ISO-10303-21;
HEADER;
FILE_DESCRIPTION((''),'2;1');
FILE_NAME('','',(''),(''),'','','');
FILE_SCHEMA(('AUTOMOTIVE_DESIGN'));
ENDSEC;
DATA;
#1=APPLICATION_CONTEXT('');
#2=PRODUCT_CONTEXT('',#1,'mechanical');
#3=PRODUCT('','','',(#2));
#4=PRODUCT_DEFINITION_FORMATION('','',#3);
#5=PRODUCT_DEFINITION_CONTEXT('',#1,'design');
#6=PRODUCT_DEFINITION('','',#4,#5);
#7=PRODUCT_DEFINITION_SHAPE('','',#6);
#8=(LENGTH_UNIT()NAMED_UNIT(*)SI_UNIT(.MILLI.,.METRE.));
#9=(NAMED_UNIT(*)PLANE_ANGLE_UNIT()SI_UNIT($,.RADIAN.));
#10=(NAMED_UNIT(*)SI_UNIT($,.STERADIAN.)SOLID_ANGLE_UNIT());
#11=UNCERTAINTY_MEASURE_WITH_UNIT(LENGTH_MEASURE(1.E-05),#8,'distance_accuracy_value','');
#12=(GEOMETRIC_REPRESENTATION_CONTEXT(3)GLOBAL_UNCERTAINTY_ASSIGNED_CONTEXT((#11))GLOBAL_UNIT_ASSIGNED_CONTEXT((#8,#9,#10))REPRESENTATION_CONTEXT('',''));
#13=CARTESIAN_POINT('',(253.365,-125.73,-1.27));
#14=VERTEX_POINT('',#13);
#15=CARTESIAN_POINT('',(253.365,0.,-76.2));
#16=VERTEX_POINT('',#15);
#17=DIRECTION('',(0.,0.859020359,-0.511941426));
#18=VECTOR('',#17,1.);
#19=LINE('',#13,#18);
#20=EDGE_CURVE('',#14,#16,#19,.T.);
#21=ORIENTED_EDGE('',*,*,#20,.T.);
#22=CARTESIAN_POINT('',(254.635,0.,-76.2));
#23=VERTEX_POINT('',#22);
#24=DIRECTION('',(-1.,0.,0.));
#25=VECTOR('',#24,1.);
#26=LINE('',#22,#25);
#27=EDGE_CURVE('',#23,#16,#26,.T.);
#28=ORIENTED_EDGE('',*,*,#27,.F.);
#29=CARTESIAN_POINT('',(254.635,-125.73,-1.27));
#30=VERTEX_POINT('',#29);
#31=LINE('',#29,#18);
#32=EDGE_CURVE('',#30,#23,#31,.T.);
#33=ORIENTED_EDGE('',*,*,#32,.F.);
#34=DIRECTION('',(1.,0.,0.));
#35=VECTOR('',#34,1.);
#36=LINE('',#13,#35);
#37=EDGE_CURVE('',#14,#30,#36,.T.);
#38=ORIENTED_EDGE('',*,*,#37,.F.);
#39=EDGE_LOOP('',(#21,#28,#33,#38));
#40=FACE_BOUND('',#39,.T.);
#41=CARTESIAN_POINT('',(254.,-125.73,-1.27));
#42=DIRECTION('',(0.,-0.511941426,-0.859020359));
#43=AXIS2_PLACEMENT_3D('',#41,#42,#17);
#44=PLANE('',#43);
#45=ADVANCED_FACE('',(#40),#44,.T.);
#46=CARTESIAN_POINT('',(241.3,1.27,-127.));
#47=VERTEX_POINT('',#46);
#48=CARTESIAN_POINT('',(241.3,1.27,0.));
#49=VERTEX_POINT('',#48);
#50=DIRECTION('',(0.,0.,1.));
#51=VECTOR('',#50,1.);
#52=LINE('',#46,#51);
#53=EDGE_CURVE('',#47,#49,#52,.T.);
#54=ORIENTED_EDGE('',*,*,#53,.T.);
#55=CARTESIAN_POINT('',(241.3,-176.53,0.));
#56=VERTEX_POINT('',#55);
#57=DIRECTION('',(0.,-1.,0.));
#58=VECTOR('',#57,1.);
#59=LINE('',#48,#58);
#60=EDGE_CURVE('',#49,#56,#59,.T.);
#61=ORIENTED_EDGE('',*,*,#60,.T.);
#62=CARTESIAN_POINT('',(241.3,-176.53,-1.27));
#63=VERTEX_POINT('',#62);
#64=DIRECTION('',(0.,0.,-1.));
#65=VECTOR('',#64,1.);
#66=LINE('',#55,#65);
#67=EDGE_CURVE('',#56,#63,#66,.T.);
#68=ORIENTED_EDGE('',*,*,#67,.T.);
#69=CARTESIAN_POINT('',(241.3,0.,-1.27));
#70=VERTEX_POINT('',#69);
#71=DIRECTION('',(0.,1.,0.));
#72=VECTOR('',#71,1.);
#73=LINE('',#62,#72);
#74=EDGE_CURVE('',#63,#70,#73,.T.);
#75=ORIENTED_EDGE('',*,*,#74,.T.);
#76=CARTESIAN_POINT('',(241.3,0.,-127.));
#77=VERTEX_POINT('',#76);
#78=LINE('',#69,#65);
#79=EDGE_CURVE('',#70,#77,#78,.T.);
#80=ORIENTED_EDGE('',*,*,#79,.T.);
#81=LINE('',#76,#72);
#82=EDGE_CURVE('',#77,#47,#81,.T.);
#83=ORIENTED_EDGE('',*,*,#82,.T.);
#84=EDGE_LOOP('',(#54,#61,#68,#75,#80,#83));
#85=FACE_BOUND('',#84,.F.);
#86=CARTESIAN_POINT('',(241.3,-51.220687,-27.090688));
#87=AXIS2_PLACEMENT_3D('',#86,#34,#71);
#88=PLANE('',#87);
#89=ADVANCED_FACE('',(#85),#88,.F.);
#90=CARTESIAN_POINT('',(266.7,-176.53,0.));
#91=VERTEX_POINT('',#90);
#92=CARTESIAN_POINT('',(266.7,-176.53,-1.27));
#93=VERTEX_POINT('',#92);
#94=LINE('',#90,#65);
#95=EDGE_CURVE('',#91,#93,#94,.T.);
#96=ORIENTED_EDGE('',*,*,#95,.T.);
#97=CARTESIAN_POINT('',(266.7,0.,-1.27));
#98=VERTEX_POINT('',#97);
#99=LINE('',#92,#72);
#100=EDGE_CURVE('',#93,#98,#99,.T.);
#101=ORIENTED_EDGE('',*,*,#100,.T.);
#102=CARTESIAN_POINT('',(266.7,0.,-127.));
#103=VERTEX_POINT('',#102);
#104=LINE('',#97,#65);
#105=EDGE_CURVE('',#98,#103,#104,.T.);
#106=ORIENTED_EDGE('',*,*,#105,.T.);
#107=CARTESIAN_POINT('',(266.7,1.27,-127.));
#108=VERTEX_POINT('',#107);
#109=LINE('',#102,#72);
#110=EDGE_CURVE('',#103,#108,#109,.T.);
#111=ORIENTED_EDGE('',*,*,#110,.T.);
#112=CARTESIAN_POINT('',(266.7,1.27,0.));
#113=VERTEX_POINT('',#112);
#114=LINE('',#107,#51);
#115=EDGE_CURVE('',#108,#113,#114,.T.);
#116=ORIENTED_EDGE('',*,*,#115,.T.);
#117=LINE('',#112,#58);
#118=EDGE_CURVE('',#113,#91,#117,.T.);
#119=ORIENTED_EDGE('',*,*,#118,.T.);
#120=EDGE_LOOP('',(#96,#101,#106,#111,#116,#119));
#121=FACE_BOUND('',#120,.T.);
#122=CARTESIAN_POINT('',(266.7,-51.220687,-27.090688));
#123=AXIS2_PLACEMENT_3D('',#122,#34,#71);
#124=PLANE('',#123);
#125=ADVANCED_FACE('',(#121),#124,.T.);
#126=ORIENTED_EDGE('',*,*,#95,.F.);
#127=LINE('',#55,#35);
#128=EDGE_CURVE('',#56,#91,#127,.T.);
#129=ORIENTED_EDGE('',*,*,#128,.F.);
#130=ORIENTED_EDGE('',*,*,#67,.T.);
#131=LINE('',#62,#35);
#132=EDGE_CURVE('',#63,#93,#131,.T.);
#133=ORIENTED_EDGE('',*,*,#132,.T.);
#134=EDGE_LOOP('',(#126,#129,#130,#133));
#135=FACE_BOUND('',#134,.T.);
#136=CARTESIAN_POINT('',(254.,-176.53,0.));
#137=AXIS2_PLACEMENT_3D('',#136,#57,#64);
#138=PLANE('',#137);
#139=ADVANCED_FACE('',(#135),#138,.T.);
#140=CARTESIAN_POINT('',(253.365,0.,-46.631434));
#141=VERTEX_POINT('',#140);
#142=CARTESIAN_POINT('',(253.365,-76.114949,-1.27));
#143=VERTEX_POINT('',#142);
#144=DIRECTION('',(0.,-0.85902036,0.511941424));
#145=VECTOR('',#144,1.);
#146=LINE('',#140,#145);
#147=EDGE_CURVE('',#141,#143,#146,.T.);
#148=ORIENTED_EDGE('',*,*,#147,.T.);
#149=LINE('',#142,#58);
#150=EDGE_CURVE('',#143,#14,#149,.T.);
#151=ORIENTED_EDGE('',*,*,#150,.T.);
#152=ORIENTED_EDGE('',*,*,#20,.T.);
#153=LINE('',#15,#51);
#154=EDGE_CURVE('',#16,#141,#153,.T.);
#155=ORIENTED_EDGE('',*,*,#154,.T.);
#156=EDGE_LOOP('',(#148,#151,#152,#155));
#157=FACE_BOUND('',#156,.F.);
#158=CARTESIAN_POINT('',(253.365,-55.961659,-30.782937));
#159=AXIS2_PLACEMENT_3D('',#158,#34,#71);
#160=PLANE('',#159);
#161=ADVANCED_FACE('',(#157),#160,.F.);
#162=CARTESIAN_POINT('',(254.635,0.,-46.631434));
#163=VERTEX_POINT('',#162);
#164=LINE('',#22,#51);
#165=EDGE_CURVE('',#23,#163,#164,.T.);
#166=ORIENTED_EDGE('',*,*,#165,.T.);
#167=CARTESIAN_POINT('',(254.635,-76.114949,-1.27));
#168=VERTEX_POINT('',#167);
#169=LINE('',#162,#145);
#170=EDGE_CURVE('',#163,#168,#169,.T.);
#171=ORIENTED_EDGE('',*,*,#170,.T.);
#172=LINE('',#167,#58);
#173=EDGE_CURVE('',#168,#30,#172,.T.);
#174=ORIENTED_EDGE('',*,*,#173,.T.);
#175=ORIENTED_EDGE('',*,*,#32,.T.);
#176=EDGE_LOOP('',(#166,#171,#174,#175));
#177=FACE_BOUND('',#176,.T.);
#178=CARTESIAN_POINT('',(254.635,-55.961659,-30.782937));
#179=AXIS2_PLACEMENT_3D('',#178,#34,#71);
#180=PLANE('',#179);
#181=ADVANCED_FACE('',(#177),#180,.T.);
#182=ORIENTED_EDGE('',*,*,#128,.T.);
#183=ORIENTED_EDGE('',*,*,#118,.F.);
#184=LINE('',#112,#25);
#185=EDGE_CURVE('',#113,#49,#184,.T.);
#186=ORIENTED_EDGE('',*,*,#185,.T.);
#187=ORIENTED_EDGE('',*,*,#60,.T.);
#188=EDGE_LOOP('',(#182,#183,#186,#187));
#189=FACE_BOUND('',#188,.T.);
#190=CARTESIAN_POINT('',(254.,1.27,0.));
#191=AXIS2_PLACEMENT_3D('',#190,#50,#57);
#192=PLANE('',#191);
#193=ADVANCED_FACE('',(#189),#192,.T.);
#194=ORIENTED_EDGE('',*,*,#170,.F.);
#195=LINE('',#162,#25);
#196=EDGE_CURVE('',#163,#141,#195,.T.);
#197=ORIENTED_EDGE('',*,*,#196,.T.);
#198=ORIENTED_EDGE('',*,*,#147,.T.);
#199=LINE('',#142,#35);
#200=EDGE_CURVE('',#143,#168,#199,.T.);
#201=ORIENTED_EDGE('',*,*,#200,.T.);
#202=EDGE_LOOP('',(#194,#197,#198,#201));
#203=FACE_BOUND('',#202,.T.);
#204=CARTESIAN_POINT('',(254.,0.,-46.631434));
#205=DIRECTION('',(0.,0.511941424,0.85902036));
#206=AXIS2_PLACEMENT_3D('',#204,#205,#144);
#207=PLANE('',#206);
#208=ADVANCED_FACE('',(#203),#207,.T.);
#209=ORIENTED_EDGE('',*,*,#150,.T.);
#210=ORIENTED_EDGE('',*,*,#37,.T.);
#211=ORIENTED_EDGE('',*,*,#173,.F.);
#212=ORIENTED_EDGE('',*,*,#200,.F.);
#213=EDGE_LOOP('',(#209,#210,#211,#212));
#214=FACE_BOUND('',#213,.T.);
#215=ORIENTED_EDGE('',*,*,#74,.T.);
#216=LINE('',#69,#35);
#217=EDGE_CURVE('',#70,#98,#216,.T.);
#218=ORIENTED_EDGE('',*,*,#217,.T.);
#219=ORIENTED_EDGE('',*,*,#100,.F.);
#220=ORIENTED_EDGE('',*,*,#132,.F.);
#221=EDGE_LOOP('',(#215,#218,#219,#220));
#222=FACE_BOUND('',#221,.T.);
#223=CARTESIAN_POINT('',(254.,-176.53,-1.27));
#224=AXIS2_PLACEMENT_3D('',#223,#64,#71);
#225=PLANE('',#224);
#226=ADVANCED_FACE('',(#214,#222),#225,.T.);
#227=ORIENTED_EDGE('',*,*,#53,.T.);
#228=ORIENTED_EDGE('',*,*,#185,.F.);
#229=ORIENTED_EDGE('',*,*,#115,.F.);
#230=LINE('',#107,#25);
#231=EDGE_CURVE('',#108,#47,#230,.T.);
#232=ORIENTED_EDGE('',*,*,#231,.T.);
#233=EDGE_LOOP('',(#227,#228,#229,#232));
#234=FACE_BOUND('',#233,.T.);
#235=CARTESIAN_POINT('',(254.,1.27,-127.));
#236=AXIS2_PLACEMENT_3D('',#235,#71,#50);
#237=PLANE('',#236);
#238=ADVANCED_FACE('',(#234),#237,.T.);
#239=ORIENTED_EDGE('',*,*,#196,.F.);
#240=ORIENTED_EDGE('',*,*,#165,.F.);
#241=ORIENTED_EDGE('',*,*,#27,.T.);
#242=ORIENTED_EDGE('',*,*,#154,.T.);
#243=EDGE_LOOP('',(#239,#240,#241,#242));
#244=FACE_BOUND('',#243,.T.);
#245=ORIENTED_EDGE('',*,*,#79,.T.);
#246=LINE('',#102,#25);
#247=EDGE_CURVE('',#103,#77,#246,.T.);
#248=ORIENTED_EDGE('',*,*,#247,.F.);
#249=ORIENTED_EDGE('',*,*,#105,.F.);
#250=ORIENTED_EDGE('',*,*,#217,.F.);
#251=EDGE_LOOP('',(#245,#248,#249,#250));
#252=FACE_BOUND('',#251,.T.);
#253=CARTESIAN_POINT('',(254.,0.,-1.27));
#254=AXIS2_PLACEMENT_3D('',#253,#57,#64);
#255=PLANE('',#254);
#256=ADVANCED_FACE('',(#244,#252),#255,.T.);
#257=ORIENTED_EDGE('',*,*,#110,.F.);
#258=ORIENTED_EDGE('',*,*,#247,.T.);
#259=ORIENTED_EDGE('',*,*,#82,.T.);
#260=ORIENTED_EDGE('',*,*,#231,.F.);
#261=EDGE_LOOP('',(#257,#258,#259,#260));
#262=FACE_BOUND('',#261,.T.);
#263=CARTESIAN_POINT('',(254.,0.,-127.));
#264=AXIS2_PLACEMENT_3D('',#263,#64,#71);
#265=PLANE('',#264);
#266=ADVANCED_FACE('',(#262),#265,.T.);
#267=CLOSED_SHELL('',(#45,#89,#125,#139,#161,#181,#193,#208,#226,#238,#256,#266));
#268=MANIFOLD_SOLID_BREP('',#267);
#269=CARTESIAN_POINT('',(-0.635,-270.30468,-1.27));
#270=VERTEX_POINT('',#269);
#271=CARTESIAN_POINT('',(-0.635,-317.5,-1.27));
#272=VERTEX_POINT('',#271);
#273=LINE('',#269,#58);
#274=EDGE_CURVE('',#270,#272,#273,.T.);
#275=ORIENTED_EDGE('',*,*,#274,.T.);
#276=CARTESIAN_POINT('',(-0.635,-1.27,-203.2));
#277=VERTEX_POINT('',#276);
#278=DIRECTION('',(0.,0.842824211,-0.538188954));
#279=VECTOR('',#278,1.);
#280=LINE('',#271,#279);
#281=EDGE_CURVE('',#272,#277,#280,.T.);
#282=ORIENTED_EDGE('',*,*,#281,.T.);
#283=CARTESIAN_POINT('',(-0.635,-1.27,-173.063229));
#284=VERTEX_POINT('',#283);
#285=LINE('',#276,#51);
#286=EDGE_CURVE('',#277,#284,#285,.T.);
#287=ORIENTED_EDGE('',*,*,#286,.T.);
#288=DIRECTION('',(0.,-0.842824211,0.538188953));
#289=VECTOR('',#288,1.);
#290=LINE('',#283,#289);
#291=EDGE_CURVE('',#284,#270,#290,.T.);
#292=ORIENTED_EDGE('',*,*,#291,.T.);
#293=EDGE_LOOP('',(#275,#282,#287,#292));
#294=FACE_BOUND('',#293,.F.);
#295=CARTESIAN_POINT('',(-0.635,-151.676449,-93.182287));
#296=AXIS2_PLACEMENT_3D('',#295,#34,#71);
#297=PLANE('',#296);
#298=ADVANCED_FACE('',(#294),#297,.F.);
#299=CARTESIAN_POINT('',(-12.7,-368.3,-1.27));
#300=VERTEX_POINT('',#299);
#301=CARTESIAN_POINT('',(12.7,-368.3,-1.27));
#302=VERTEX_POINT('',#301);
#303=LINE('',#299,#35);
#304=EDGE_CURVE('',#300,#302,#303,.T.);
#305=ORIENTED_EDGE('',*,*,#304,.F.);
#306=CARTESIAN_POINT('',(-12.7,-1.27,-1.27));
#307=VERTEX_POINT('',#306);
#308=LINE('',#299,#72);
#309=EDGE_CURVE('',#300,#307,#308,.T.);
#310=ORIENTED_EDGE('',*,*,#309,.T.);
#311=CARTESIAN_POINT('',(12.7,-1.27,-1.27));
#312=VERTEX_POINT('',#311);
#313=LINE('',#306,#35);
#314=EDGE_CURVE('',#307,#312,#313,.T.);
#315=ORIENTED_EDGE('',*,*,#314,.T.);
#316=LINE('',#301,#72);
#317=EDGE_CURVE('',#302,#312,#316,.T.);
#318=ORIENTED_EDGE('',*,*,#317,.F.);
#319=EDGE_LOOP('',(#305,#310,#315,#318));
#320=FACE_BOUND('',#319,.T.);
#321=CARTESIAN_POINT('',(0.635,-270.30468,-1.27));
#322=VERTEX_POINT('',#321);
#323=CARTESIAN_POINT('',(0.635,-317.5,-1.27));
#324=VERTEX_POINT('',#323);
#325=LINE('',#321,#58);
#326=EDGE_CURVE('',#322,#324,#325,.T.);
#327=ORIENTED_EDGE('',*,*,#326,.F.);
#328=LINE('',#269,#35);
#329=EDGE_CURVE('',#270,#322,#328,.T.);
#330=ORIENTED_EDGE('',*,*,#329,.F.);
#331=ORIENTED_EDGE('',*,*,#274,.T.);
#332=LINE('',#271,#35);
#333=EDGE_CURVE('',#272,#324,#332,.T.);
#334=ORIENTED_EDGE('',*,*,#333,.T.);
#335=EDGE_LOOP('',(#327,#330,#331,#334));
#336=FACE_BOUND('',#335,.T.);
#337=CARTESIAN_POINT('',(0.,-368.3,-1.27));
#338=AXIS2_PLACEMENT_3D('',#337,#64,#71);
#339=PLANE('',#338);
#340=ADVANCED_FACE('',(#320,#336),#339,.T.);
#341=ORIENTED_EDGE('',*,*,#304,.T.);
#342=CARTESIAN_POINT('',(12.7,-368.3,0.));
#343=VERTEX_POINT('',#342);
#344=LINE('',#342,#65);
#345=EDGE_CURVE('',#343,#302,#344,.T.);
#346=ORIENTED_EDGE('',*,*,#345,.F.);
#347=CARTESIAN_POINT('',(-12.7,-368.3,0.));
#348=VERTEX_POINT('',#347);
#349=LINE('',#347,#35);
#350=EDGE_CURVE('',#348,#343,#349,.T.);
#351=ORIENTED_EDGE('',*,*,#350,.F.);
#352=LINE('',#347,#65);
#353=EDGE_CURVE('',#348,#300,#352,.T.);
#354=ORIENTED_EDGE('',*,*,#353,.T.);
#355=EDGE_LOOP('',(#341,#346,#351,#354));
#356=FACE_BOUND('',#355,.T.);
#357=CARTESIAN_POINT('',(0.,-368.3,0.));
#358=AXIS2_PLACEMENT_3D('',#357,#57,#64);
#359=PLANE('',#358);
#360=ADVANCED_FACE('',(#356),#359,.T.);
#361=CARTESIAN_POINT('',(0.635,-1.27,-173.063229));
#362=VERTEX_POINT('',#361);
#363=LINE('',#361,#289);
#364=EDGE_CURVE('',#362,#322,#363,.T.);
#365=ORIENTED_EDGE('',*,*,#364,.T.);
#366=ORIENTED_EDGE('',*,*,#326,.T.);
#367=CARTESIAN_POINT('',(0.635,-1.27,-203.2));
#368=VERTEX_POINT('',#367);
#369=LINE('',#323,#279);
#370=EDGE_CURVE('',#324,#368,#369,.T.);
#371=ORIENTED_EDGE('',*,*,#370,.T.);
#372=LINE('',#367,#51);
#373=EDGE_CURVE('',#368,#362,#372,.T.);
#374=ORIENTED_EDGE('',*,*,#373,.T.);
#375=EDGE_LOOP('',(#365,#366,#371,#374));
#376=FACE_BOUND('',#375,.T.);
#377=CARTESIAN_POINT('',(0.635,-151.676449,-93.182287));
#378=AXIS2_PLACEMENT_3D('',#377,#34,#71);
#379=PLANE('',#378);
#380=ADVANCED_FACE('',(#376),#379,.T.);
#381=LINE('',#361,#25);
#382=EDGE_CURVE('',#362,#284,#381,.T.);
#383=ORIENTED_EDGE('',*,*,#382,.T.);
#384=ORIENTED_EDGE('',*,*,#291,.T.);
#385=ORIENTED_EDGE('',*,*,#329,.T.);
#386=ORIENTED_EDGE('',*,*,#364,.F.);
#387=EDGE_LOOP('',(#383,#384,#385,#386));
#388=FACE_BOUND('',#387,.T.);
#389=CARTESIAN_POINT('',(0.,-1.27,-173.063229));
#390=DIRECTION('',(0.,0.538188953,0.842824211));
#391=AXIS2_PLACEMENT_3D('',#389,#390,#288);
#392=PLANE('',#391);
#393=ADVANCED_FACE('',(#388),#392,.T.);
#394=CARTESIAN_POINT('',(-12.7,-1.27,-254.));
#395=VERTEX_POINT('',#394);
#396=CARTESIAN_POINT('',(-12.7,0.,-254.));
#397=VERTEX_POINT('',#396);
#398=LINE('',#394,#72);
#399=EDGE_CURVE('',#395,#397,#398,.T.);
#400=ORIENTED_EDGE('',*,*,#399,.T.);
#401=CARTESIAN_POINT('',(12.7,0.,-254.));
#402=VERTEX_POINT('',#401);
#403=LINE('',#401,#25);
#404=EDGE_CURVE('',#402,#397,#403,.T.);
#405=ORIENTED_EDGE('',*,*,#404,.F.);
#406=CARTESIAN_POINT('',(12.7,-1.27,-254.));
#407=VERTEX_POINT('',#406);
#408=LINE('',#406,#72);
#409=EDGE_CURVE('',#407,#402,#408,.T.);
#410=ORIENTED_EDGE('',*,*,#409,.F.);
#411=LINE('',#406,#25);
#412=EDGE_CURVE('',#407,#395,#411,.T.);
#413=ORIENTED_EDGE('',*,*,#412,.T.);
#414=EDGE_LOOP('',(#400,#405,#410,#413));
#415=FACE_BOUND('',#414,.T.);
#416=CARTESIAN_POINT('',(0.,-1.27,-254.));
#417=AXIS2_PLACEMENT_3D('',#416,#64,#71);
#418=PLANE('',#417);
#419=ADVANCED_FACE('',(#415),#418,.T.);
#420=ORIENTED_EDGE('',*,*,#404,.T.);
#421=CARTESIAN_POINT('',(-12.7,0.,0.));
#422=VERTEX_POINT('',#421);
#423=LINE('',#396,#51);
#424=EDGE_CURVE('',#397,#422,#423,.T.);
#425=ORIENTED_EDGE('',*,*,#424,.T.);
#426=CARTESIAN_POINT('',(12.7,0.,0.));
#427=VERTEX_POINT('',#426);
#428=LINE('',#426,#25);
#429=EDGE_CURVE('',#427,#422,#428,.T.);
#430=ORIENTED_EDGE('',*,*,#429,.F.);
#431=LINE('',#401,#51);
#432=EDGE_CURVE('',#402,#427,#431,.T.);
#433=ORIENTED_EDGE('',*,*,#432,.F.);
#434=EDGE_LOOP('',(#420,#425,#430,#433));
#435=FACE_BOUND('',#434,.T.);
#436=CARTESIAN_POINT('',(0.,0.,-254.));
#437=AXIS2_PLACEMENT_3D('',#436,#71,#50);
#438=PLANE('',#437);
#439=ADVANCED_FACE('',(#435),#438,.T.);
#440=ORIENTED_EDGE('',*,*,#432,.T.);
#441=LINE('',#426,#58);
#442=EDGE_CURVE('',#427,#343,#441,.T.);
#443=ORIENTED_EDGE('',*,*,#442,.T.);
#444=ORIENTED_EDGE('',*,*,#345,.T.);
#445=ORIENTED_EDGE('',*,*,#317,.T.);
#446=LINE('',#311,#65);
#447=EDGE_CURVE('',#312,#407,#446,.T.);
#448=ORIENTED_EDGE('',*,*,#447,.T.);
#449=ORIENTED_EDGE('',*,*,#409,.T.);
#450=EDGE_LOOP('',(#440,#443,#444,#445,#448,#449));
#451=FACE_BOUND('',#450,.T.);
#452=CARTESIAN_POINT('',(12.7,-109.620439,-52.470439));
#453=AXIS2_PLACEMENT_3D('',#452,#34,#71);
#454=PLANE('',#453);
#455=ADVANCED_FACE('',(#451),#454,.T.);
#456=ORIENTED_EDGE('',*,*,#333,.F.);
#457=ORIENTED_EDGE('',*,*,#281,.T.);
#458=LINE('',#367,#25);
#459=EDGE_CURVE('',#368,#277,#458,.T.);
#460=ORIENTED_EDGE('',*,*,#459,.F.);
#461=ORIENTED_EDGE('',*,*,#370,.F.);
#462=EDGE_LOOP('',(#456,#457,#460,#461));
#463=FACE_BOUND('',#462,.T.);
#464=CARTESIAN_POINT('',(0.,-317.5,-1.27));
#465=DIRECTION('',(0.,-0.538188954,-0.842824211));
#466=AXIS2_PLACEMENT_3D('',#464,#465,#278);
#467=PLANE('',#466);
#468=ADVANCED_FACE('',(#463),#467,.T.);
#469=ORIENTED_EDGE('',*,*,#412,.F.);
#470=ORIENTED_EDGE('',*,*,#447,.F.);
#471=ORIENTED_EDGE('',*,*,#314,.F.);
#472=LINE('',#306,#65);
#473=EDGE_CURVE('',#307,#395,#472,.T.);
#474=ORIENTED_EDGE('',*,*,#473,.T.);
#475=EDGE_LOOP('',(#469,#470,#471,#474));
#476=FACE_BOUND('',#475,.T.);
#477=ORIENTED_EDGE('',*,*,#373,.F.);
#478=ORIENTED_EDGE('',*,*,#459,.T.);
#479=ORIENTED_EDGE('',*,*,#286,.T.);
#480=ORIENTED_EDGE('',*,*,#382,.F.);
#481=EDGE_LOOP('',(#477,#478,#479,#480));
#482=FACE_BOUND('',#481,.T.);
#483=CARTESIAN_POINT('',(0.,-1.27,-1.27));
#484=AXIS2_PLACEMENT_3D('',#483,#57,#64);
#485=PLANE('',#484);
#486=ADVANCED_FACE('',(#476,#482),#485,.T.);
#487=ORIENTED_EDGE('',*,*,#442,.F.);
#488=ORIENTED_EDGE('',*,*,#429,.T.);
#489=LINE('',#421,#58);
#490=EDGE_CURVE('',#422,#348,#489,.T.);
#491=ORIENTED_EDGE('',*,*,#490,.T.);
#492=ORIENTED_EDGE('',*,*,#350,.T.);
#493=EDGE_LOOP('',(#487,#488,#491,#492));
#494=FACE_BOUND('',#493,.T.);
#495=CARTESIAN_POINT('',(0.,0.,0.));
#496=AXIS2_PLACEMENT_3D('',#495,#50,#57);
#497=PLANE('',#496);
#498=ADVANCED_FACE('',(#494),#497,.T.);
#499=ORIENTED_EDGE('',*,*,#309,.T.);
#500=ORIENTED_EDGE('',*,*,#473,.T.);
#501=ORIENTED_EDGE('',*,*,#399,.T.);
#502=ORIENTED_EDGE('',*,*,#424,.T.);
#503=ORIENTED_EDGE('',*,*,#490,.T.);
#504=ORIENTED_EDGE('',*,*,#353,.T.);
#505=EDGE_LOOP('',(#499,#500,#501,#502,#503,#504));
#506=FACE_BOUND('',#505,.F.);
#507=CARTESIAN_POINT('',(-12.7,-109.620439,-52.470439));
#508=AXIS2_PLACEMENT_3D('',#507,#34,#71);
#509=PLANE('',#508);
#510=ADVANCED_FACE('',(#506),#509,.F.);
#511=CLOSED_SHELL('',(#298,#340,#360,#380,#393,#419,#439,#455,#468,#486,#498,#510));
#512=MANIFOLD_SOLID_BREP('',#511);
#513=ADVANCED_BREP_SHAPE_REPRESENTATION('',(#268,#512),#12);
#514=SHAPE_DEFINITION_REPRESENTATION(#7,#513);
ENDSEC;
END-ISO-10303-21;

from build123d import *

# Parameters (mm, degrees)
F1_DEPTH = 12.7
F3_DEPTH = 0.635
F6_DEPTH = 12.7
F8_DEPTH = 0.635


with BuildPart() as f1:
    # F0 (on Right) → F1 (new body, symmetric)
    with BuildSketch(Plane.YZ):
        Polygon((0, 0), (-368.3, 0), (-368.3, -1.27), (-1.27, -1.27), (-1.27, -254), (0, -254), align=None)
    extrude(amount=F1_DEPTH, both=True)

    # F2 (on Right) → F3 (join, symmetric)
    with BuildSketch(Plane.YZ):
        Polygon((-1.27, -173.063229), (-270.30468, -1.27), (-317.5, -1.27), (-1.27, -203.2), align=None)
    extrude(amount=F3_DEPTH, both=True)


with BuildPart() as f6:
    # F5 (on offset) → F6 (new body, symmetric)
    with BuildSketch(Plane.YZ.offset(254)):
        Polygon((1.27, 0), (-176.53, 0), (-176.53, -1.27), (0, -1.27), (0, -127), (1.27, -127), align=None)
    extrude(amount=F6_DEPTH, both=True)

    # F7 (on offset) → F8 (join, symmetric)
    with BuildSketch(Plane.YZ.offset(254)):
        Polygon((0, -46.631434), (-76.114949, -1.27), (-125.73, -1.27), (0, -76.2), align=None)
    extrude(amount=F8_DEPTH, both=True)


solid = Compound([f1.part, f6.part])
